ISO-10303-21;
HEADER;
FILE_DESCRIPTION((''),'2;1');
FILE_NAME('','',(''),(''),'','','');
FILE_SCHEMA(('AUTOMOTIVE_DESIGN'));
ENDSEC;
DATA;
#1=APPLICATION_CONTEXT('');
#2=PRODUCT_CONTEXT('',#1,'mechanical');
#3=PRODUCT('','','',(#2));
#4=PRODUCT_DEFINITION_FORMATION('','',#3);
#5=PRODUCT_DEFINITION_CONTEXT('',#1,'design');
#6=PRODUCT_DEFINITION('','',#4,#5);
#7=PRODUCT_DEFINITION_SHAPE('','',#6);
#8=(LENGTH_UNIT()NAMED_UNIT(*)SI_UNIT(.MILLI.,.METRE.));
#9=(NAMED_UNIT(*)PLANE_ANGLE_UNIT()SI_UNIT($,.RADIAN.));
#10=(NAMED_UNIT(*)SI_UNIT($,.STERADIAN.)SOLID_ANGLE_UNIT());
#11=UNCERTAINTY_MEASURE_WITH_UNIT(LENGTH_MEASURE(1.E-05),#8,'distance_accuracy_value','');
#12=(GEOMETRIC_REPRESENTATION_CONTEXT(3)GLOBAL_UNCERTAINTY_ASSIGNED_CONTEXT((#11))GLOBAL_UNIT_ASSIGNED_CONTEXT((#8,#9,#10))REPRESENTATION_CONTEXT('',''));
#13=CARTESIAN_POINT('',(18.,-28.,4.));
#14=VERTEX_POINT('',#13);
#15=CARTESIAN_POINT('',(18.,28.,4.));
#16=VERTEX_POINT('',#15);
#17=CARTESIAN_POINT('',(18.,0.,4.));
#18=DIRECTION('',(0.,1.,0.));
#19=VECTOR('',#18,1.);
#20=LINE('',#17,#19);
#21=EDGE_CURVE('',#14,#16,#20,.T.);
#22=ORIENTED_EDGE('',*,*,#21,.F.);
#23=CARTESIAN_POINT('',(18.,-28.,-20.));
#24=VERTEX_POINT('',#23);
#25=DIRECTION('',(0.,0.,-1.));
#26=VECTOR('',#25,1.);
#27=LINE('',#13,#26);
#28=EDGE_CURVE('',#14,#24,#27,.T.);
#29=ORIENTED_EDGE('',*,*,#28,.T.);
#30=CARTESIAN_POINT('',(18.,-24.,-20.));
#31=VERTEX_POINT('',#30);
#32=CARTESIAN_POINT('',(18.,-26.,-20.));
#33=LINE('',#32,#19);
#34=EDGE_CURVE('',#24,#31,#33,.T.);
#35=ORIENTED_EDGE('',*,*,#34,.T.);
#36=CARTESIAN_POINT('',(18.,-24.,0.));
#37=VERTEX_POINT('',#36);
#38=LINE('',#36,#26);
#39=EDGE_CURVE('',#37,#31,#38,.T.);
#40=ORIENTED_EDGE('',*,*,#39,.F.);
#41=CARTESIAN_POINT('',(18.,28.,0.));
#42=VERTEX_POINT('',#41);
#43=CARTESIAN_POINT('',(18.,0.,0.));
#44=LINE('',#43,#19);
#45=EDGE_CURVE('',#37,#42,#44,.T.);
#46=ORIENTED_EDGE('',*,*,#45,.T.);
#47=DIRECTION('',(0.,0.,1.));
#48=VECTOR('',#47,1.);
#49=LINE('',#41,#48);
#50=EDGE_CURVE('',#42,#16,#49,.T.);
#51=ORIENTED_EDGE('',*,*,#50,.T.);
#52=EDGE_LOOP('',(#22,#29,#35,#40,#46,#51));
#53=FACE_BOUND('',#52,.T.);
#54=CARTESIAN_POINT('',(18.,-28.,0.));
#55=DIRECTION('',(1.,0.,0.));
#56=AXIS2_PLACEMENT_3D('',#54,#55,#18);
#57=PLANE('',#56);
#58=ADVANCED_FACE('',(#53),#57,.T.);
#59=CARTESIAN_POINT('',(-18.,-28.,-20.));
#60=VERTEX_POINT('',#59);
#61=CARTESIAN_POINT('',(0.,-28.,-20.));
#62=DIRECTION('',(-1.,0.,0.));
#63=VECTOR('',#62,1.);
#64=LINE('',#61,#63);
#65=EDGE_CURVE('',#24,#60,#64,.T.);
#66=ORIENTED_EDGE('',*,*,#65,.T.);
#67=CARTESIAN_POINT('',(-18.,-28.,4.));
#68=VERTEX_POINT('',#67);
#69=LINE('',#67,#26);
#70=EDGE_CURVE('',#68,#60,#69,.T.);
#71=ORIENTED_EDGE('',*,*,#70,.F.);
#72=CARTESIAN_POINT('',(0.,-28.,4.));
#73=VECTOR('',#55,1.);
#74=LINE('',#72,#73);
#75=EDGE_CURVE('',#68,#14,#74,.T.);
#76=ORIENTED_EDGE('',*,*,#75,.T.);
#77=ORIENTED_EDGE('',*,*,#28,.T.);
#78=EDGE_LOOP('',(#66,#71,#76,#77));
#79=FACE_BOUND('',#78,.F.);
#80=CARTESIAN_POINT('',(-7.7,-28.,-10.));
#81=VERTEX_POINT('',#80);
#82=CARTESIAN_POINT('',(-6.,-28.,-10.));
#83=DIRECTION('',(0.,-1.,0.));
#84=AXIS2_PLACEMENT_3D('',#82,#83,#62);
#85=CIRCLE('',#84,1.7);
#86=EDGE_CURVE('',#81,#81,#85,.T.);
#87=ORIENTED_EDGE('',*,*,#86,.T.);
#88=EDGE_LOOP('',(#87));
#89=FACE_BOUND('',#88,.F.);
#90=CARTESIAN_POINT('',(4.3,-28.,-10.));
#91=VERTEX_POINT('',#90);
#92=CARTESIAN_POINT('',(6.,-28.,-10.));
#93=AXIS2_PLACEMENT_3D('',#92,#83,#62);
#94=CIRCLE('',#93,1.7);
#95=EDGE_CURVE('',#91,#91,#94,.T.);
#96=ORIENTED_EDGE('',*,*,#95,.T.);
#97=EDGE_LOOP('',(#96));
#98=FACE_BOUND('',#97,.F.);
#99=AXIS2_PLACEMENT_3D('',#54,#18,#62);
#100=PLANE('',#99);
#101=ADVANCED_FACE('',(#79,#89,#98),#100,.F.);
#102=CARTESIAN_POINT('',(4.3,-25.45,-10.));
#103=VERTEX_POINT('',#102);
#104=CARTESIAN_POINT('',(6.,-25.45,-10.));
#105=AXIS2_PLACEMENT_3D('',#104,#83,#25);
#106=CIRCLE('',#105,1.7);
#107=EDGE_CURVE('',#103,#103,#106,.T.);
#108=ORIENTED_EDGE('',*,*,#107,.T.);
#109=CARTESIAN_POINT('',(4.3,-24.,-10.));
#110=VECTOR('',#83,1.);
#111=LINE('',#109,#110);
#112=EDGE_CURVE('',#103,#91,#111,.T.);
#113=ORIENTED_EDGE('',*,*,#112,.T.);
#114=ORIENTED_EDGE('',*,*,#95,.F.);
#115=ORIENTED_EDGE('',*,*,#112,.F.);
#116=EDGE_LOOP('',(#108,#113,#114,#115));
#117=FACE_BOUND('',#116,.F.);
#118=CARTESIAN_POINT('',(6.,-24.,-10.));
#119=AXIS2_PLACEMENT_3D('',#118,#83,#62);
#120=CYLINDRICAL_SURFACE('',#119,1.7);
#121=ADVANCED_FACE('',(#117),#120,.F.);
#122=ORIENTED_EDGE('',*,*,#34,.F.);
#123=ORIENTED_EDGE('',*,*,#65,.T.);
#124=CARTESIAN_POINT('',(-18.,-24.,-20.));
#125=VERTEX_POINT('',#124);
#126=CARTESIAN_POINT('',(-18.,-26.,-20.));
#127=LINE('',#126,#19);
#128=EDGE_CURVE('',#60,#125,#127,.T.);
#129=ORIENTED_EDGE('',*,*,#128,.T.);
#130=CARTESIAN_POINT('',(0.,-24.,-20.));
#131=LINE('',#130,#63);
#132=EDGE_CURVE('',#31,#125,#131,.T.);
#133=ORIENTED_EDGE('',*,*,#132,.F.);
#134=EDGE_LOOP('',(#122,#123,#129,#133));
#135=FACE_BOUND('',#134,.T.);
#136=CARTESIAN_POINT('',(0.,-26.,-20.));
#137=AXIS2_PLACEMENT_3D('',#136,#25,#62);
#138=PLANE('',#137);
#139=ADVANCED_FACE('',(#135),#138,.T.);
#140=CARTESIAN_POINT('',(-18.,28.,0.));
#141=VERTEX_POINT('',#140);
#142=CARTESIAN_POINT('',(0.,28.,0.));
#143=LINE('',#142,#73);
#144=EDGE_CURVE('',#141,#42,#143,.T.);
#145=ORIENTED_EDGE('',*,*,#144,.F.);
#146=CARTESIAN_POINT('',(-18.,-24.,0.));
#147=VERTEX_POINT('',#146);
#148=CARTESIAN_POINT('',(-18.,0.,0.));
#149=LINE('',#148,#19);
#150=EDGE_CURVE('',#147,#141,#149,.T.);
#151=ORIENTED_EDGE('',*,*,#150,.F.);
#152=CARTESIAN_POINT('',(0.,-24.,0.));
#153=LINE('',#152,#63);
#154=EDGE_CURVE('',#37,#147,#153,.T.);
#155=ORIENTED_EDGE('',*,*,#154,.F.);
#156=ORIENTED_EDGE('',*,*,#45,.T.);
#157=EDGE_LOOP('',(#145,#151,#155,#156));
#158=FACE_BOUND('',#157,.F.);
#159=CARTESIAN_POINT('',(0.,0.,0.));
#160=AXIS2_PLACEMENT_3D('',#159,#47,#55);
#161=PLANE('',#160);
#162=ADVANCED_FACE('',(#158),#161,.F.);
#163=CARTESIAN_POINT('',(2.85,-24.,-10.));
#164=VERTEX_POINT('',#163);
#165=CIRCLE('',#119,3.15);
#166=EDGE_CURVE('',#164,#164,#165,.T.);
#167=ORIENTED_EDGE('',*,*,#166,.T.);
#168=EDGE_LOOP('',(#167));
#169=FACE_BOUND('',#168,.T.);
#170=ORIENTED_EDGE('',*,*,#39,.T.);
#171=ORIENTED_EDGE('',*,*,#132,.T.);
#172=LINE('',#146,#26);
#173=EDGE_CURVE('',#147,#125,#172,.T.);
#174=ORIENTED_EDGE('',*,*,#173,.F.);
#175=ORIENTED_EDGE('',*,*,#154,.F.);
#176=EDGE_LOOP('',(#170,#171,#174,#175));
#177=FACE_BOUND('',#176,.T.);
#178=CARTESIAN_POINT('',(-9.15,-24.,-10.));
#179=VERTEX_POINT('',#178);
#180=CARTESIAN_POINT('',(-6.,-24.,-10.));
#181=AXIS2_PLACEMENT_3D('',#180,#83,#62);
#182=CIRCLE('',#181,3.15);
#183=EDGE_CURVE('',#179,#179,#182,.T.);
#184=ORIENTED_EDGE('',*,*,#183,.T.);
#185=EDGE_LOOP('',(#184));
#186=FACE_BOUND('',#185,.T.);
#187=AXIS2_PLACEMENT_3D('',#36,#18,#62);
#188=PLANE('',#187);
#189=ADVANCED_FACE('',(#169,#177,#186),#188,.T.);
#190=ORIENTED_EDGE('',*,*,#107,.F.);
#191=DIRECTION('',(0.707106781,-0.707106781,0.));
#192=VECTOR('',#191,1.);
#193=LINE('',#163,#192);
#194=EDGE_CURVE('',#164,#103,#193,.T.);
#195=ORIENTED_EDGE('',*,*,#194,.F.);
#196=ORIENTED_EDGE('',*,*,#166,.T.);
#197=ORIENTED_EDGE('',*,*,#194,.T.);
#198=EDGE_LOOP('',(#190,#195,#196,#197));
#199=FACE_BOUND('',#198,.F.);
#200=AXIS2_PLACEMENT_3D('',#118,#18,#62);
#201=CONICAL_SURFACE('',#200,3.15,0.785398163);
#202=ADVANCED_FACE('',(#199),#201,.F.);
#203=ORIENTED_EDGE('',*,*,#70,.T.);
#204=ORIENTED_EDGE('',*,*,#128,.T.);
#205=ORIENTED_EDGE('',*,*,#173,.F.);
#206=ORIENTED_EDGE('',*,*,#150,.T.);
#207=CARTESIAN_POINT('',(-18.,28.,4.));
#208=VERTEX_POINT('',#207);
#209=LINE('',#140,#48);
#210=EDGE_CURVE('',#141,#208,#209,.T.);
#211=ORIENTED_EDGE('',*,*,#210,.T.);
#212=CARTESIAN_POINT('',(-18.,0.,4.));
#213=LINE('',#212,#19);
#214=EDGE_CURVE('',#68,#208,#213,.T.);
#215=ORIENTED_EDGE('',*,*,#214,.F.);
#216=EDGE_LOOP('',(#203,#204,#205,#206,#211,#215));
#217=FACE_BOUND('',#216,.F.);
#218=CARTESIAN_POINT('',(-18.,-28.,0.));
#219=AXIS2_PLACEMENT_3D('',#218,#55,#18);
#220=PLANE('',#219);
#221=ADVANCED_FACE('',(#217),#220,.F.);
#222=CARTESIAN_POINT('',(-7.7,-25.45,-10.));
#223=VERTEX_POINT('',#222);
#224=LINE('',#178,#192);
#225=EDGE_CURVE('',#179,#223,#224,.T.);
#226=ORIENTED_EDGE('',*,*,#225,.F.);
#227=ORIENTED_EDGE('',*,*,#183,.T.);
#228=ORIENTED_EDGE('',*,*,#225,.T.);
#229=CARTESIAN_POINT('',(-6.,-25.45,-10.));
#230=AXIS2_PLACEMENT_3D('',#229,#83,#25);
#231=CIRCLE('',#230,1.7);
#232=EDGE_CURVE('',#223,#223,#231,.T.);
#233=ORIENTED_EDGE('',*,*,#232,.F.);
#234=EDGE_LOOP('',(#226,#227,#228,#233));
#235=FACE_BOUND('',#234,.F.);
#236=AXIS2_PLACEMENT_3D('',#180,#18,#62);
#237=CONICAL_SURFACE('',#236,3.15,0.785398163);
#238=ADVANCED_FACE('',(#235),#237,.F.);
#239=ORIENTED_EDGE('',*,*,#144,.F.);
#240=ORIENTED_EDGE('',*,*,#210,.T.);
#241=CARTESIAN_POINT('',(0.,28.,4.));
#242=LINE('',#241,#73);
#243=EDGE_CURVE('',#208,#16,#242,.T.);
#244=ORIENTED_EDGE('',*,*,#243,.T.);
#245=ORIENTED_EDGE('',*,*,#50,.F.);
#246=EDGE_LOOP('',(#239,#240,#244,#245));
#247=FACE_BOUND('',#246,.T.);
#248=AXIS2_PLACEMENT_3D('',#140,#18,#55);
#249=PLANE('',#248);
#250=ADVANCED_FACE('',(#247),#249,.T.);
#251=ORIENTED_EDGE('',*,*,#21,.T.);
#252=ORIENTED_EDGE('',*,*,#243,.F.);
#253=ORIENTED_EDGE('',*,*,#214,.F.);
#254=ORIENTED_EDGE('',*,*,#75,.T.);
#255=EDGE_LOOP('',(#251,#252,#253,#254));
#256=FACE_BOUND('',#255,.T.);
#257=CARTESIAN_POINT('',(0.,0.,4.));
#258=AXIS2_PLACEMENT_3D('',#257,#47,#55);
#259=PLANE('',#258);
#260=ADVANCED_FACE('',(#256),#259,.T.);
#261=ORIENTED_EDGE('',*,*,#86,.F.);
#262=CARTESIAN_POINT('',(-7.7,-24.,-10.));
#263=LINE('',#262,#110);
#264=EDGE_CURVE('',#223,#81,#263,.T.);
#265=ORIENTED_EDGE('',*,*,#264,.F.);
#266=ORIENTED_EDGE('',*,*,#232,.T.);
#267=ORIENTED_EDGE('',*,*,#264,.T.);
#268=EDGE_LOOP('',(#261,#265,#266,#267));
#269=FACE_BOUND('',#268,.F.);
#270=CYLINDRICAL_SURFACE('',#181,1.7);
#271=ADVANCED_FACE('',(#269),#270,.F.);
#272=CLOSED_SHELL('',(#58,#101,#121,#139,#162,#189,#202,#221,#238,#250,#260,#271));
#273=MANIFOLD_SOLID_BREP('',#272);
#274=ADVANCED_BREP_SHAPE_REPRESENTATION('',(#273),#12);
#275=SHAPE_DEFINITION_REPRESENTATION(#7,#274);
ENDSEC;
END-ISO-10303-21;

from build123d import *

# Parameters (mm, degrees)
SKETCH1_W                                           = 36
SKETCH1_H                                           = 56
BOSS_EXTRUDE1_DEPTH                                 = 4
SKETCH2_W                                           = 36
SKETCH2_H                                           = 4
BOSS_EXTRUDE2_DEPTH                                 = 20
CSK_FOR_M3_COUNTERSUNK_FLAT_HEAD_SCREW1_D           = 3.4
CSK_FOR_M3_COUNTERSUNK_FLAT_HEAD_SCREW1_CSINK_D     = 6.3
CSK_FOR_M3_COUNTERSUNK_FLAT_HEAD_SCREW1_CSINK_ANGLE = 90


with BuildPart() as part:
    # Sketch1 → Boss-Extrude1 (new body)
    with BuildSketch(Plane.XY):
        Rectangle(SKETCH1_W, SKETCH1_H)
    extrude(amount=BOSS_EXTRUDE1_DEPTH)

    # Sketch2 → Boss-Extrude2 (add)
    with BuildSketch(Plane(origin=(0, 0, 0), x_dir=(-1, 0, 0), z_dir=(0, 0, -1))):
        with Locations((0, -26)):
            Rectangle(SKETCH2_W, SKETCH2_H)
    extrude(amount=BOSS_EXTRUDE2_DEPTH)

    # CSK for M3 Countersunk Flat Head Screw1 (through all)
    with Locations(Plane(origin=(0, -24, 0), x_dir=(1, 0, 0), z_dir=(0, 1, 0))):
        with Locations((6, 10), (-6, 10)):
            CounterSinkHole(CSK_FOR_M3_COUNTERSUNK_FLAT_HEAD_SCREW1_D / 2, CSK_FOR_M3_COUNTERSUNK_FLAT_HEAD_SCREW1_CSINK_D / 2, counter_sink_angle=CSK_FOR_M3_COUNTERSUNK_FLAT_HEAD_SCREW1_CSINK_ANGLE)


solid = part.part
